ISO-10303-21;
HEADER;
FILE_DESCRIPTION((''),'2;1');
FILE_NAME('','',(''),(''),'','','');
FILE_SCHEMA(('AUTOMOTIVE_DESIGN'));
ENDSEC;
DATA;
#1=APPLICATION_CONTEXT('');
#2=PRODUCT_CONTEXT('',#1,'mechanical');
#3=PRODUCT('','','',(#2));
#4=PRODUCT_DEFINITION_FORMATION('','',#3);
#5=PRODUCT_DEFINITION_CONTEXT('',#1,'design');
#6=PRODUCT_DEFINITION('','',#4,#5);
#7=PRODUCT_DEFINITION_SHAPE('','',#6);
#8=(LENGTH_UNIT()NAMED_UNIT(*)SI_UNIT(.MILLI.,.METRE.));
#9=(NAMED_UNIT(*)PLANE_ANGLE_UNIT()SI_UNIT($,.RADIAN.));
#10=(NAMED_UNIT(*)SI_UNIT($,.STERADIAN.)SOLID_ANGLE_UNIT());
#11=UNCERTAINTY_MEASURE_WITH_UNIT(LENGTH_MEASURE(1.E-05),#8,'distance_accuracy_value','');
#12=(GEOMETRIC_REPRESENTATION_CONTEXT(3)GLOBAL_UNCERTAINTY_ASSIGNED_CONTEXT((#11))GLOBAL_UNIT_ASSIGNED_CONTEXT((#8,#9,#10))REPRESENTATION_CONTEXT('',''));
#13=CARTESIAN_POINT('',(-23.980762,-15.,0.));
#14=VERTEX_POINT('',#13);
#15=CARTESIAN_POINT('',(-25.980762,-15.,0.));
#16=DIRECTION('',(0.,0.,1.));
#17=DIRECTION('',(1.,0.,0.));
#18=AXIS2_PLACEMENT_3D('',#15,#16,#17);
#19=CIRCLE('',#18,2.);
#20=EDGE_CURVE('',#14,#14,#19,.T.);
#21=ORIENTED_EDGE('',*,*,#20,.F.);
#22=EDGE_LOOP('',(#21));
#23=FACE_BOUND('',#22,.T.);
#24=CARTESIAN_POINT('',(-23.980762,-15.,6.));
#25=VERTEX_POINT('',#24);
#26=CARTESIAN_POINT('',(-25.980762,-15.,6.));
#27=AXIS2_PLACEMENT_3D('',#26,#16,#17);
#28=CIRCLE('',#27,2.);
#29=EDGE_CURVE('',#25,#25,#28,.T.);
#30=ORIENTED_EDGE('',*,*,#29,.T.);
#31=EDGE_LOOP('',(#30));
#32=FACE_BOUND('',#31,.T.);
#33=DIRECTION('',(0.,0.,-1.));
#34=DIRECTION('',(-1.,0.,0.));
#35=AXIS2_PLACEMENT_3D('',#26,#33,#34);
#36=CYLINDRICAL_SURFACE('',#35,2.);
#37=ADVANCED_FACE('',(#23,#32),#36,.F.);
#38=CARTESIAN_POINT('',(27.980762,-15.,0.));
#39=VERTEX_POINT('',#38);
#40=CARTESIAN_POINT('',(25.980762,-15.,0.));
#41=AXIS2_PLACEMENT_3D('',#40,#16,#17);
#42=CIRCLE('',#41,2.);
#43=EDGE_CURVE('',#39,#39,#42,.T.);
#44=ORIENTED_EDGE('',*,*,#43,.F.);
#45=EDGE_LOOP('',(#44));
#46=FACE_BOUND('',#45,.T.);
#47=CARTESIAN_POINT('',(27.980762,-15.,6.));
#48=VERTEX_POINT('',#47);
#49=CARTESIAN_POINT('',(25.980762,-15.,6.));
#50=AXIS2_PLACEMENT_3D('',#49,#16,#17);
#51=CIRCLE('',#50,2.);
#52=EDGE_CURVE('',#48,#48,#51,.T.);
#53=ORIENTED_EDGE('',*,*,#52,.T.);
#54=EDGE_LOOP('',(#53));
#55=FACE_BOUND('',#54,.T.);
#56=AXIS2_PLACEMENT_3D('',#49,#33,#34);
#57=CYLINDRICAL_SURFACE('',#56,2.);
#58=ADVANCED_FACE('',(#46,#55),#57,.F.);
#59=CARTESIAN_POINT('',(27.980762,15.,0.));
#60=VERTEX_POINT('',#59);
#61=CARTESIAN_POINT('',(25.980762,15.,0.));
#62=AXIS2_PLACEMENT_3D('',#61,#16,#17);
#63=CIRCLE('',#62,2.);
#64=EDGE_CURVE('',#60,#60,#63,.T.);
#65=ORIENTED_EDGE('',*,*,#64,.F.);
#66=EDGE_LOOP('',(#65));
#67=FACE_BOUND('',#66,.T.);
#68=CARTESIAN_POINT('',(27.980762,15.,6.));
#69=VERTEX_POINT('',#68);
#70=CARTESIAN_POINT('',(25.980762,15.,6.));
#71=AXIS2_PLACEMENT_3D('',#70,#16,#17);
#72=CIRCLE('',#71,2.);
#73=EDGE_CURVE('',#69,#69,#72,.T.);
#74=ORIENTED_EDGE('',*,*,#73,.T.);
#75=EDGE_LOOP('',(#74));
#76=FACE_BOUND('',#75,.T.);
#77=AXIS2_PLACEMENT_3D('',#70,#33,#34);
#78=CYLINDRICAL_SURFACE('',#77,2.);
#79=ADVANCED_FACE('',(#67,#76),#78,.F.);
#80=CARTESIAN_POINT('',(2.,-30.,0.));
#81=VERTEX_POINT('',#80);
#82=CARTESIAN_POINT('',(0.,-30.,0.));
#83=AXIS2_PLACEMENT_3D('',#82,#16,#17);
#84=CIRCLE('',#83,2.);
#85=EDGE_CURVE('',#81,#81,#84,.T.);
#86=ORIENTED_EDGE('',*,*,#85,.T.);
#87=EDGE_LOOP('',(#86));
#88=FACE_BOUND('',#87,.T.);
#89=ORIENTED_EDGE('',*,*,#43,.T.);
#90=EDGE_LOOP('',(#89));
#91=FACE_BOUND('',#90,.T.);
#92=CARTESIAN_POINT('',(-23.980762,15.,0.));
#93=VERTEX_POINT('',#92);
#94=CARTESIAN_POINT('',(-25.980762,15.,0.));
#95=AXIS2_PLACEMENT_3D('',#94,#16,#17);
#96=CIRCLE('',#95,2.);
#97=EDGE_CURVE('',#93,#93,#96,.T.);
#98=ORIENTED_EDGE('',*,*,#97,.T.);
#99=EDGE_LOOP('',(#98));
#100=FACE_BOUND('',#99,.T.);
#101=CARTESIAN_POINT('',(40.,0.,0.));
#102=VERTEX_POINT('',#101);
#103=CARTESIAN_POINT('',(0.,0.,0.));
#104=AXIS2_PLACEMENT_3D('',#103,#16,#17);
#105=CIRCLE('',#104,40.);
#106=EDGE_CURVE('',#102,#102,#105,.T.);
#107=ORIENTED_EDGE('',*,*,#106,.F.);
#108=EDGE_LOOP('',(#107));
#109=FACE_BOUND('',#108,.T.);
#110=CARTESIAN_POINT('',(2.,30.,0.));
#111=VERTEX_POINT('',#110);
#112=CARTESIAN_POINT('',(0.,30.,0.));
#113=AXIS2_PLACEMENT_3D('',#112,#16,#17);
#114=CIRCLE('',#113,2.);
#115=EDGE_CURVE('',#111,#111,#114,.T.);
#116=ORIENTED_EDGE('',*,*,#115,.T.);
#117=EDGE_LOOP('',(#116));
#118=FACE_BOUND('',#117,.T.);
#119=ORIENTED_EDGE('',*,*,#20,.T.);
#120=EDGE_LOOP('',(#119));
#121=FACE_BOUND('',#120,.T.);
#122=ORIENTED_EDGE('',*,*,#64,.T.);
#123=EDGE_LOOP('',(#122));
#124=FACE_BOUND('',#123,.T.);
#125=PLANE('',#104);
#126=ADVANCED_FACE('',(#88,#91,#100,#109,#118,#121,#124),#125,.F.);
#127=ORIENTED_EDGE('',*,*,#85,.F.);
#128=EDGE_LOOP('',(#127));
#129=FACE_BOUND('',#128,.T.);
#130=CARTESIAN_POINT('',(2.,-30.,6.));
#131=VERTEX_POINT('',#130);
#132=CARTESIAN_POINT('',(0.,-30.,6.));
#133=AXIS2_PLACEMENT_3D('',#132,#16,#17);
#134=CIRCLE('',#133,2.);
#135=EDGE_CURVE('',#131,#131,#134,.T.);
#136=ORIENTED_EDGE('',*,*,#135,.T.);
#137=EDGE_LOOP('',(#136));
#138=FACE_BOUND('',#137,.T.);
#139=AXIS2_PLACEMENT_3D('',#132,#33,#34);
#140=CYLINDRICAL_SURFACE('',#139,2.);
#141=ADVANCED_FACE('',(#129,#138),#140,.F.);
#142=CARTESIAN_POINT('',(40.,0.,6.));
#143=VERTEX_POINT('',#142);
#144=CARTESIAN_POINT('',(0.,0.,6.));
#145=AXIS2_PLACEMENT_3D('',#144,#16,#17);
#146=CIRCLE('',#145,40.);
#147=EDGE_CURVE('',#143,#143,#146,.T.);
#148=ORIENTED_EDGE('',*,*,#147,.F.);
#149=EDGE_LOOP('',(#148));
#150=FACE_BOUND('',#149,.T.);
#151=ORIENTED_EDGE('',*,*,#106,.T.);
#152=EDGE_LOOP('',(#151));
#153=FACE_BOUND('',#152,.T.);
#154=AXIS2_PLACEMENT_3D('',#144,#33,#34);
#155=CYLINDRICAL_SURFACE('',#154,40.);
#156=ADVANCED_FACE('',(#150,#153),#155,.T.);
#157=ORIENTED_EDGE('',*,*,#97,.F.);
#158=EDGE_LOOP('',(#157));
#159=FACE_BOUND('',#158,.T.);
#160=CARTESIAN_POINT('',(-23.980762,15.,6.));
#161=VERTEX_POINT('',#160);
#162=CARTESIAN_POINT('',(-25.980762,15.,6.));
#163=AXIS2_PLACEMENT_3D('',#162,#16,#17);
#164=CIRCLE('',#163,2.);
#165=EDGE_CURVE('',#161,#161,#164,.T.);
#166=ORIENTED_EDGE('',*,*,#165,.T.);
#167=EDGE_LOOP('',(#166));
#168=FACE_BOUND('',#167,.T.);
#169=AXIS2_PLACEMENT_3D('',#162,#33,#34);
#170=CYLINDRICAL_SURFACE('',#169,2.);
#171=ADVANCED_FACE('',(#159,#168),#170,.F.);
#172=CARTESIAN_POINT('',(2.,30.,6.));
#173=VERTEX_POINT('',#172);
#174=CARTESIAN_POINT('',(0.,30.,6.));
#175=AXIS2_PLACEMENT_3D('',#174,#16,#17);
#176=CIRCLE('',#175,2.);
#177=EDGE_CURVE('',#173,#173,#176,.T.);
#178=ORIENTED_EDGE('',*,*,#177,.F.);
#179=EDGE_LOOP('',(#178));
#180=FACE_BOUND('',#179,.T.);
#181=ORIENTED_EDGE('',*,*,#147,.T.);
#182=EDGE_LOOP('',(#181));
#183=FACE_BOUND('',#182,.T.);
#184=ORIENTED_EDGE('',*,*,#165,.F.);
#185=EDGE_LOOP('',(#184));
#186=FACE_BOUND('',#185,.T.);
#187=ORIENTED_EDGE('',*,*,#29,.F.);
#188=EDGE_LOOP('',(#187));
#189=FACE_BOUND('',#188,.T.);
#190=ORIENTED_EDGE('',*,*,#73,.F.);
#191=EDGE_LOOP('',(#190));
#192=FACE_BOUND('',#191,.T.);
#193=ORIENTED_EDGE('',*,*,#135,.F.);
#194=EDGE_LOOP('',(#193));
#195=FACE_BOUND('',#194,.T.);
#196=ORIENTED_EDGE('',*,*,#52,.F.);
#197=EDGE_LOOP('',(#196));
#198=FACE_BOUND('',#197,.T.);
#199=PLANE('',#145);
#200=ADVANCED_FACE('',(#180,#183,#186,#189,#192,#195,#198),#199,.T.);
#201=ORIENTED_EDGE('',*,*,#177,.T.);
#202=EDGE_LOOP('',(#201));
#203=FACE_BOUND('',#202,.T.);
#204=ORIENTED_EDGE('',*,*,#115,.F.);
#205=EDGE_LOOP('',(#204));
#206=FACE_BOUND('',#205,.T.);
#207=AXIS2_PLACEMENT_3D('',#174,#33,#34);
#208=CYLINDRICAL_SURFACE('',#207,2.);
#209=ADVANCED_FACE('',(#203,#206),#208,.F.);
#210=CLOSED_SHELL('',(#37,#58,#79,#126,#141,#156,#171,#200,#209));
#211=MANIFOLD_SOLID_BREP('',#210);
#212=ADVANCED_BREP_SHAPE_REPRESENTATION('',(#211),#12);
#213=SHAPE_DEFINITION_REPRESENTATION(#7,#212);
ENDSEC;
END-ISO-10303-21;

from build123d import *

# Parameters (mm, degrees)
SKETCH1_R           = 40
BOSS_EXTRUDE1_DEPTH = 6
SKETCH2_R           = 2
CUT_EXTRUDE1_DEPTH  = 57.885850613


with BuildPart() as part:
    # Sketch1 → Boss-Extrude1 (new body)
    with BuildSketch(Plane.XY):
        Circle(SKETCH1_R)
    extrude(amount=BOSS_EXTRUDE1_DEPTH)

    # Sketch2 → Cut-Extrude1 (cut, through all)
    with BuildSketch(Plane.XY):
        with Locations((0, 30)):
            Circle(SKETCH2_R)
        with Locations((25.980762114, 15)):
            Circle(SKETCH2_R)
        with Locations((25.980762114, -15)):
            Circle(SKETCH2_R)
        with Locations((0, -30)):
            Circle(SKETCH2_R)
        with Locations((-25.980762114, -15)):
            Circle(SKETCH2_R)
        with Locations((-25.980762114, 15)):
            Circle(SKETCH2_R)
    extrude(amount=CUT_EXTRUDE1_DEPTH, mode=Mode.SUBTRACT)


solid = part.part
